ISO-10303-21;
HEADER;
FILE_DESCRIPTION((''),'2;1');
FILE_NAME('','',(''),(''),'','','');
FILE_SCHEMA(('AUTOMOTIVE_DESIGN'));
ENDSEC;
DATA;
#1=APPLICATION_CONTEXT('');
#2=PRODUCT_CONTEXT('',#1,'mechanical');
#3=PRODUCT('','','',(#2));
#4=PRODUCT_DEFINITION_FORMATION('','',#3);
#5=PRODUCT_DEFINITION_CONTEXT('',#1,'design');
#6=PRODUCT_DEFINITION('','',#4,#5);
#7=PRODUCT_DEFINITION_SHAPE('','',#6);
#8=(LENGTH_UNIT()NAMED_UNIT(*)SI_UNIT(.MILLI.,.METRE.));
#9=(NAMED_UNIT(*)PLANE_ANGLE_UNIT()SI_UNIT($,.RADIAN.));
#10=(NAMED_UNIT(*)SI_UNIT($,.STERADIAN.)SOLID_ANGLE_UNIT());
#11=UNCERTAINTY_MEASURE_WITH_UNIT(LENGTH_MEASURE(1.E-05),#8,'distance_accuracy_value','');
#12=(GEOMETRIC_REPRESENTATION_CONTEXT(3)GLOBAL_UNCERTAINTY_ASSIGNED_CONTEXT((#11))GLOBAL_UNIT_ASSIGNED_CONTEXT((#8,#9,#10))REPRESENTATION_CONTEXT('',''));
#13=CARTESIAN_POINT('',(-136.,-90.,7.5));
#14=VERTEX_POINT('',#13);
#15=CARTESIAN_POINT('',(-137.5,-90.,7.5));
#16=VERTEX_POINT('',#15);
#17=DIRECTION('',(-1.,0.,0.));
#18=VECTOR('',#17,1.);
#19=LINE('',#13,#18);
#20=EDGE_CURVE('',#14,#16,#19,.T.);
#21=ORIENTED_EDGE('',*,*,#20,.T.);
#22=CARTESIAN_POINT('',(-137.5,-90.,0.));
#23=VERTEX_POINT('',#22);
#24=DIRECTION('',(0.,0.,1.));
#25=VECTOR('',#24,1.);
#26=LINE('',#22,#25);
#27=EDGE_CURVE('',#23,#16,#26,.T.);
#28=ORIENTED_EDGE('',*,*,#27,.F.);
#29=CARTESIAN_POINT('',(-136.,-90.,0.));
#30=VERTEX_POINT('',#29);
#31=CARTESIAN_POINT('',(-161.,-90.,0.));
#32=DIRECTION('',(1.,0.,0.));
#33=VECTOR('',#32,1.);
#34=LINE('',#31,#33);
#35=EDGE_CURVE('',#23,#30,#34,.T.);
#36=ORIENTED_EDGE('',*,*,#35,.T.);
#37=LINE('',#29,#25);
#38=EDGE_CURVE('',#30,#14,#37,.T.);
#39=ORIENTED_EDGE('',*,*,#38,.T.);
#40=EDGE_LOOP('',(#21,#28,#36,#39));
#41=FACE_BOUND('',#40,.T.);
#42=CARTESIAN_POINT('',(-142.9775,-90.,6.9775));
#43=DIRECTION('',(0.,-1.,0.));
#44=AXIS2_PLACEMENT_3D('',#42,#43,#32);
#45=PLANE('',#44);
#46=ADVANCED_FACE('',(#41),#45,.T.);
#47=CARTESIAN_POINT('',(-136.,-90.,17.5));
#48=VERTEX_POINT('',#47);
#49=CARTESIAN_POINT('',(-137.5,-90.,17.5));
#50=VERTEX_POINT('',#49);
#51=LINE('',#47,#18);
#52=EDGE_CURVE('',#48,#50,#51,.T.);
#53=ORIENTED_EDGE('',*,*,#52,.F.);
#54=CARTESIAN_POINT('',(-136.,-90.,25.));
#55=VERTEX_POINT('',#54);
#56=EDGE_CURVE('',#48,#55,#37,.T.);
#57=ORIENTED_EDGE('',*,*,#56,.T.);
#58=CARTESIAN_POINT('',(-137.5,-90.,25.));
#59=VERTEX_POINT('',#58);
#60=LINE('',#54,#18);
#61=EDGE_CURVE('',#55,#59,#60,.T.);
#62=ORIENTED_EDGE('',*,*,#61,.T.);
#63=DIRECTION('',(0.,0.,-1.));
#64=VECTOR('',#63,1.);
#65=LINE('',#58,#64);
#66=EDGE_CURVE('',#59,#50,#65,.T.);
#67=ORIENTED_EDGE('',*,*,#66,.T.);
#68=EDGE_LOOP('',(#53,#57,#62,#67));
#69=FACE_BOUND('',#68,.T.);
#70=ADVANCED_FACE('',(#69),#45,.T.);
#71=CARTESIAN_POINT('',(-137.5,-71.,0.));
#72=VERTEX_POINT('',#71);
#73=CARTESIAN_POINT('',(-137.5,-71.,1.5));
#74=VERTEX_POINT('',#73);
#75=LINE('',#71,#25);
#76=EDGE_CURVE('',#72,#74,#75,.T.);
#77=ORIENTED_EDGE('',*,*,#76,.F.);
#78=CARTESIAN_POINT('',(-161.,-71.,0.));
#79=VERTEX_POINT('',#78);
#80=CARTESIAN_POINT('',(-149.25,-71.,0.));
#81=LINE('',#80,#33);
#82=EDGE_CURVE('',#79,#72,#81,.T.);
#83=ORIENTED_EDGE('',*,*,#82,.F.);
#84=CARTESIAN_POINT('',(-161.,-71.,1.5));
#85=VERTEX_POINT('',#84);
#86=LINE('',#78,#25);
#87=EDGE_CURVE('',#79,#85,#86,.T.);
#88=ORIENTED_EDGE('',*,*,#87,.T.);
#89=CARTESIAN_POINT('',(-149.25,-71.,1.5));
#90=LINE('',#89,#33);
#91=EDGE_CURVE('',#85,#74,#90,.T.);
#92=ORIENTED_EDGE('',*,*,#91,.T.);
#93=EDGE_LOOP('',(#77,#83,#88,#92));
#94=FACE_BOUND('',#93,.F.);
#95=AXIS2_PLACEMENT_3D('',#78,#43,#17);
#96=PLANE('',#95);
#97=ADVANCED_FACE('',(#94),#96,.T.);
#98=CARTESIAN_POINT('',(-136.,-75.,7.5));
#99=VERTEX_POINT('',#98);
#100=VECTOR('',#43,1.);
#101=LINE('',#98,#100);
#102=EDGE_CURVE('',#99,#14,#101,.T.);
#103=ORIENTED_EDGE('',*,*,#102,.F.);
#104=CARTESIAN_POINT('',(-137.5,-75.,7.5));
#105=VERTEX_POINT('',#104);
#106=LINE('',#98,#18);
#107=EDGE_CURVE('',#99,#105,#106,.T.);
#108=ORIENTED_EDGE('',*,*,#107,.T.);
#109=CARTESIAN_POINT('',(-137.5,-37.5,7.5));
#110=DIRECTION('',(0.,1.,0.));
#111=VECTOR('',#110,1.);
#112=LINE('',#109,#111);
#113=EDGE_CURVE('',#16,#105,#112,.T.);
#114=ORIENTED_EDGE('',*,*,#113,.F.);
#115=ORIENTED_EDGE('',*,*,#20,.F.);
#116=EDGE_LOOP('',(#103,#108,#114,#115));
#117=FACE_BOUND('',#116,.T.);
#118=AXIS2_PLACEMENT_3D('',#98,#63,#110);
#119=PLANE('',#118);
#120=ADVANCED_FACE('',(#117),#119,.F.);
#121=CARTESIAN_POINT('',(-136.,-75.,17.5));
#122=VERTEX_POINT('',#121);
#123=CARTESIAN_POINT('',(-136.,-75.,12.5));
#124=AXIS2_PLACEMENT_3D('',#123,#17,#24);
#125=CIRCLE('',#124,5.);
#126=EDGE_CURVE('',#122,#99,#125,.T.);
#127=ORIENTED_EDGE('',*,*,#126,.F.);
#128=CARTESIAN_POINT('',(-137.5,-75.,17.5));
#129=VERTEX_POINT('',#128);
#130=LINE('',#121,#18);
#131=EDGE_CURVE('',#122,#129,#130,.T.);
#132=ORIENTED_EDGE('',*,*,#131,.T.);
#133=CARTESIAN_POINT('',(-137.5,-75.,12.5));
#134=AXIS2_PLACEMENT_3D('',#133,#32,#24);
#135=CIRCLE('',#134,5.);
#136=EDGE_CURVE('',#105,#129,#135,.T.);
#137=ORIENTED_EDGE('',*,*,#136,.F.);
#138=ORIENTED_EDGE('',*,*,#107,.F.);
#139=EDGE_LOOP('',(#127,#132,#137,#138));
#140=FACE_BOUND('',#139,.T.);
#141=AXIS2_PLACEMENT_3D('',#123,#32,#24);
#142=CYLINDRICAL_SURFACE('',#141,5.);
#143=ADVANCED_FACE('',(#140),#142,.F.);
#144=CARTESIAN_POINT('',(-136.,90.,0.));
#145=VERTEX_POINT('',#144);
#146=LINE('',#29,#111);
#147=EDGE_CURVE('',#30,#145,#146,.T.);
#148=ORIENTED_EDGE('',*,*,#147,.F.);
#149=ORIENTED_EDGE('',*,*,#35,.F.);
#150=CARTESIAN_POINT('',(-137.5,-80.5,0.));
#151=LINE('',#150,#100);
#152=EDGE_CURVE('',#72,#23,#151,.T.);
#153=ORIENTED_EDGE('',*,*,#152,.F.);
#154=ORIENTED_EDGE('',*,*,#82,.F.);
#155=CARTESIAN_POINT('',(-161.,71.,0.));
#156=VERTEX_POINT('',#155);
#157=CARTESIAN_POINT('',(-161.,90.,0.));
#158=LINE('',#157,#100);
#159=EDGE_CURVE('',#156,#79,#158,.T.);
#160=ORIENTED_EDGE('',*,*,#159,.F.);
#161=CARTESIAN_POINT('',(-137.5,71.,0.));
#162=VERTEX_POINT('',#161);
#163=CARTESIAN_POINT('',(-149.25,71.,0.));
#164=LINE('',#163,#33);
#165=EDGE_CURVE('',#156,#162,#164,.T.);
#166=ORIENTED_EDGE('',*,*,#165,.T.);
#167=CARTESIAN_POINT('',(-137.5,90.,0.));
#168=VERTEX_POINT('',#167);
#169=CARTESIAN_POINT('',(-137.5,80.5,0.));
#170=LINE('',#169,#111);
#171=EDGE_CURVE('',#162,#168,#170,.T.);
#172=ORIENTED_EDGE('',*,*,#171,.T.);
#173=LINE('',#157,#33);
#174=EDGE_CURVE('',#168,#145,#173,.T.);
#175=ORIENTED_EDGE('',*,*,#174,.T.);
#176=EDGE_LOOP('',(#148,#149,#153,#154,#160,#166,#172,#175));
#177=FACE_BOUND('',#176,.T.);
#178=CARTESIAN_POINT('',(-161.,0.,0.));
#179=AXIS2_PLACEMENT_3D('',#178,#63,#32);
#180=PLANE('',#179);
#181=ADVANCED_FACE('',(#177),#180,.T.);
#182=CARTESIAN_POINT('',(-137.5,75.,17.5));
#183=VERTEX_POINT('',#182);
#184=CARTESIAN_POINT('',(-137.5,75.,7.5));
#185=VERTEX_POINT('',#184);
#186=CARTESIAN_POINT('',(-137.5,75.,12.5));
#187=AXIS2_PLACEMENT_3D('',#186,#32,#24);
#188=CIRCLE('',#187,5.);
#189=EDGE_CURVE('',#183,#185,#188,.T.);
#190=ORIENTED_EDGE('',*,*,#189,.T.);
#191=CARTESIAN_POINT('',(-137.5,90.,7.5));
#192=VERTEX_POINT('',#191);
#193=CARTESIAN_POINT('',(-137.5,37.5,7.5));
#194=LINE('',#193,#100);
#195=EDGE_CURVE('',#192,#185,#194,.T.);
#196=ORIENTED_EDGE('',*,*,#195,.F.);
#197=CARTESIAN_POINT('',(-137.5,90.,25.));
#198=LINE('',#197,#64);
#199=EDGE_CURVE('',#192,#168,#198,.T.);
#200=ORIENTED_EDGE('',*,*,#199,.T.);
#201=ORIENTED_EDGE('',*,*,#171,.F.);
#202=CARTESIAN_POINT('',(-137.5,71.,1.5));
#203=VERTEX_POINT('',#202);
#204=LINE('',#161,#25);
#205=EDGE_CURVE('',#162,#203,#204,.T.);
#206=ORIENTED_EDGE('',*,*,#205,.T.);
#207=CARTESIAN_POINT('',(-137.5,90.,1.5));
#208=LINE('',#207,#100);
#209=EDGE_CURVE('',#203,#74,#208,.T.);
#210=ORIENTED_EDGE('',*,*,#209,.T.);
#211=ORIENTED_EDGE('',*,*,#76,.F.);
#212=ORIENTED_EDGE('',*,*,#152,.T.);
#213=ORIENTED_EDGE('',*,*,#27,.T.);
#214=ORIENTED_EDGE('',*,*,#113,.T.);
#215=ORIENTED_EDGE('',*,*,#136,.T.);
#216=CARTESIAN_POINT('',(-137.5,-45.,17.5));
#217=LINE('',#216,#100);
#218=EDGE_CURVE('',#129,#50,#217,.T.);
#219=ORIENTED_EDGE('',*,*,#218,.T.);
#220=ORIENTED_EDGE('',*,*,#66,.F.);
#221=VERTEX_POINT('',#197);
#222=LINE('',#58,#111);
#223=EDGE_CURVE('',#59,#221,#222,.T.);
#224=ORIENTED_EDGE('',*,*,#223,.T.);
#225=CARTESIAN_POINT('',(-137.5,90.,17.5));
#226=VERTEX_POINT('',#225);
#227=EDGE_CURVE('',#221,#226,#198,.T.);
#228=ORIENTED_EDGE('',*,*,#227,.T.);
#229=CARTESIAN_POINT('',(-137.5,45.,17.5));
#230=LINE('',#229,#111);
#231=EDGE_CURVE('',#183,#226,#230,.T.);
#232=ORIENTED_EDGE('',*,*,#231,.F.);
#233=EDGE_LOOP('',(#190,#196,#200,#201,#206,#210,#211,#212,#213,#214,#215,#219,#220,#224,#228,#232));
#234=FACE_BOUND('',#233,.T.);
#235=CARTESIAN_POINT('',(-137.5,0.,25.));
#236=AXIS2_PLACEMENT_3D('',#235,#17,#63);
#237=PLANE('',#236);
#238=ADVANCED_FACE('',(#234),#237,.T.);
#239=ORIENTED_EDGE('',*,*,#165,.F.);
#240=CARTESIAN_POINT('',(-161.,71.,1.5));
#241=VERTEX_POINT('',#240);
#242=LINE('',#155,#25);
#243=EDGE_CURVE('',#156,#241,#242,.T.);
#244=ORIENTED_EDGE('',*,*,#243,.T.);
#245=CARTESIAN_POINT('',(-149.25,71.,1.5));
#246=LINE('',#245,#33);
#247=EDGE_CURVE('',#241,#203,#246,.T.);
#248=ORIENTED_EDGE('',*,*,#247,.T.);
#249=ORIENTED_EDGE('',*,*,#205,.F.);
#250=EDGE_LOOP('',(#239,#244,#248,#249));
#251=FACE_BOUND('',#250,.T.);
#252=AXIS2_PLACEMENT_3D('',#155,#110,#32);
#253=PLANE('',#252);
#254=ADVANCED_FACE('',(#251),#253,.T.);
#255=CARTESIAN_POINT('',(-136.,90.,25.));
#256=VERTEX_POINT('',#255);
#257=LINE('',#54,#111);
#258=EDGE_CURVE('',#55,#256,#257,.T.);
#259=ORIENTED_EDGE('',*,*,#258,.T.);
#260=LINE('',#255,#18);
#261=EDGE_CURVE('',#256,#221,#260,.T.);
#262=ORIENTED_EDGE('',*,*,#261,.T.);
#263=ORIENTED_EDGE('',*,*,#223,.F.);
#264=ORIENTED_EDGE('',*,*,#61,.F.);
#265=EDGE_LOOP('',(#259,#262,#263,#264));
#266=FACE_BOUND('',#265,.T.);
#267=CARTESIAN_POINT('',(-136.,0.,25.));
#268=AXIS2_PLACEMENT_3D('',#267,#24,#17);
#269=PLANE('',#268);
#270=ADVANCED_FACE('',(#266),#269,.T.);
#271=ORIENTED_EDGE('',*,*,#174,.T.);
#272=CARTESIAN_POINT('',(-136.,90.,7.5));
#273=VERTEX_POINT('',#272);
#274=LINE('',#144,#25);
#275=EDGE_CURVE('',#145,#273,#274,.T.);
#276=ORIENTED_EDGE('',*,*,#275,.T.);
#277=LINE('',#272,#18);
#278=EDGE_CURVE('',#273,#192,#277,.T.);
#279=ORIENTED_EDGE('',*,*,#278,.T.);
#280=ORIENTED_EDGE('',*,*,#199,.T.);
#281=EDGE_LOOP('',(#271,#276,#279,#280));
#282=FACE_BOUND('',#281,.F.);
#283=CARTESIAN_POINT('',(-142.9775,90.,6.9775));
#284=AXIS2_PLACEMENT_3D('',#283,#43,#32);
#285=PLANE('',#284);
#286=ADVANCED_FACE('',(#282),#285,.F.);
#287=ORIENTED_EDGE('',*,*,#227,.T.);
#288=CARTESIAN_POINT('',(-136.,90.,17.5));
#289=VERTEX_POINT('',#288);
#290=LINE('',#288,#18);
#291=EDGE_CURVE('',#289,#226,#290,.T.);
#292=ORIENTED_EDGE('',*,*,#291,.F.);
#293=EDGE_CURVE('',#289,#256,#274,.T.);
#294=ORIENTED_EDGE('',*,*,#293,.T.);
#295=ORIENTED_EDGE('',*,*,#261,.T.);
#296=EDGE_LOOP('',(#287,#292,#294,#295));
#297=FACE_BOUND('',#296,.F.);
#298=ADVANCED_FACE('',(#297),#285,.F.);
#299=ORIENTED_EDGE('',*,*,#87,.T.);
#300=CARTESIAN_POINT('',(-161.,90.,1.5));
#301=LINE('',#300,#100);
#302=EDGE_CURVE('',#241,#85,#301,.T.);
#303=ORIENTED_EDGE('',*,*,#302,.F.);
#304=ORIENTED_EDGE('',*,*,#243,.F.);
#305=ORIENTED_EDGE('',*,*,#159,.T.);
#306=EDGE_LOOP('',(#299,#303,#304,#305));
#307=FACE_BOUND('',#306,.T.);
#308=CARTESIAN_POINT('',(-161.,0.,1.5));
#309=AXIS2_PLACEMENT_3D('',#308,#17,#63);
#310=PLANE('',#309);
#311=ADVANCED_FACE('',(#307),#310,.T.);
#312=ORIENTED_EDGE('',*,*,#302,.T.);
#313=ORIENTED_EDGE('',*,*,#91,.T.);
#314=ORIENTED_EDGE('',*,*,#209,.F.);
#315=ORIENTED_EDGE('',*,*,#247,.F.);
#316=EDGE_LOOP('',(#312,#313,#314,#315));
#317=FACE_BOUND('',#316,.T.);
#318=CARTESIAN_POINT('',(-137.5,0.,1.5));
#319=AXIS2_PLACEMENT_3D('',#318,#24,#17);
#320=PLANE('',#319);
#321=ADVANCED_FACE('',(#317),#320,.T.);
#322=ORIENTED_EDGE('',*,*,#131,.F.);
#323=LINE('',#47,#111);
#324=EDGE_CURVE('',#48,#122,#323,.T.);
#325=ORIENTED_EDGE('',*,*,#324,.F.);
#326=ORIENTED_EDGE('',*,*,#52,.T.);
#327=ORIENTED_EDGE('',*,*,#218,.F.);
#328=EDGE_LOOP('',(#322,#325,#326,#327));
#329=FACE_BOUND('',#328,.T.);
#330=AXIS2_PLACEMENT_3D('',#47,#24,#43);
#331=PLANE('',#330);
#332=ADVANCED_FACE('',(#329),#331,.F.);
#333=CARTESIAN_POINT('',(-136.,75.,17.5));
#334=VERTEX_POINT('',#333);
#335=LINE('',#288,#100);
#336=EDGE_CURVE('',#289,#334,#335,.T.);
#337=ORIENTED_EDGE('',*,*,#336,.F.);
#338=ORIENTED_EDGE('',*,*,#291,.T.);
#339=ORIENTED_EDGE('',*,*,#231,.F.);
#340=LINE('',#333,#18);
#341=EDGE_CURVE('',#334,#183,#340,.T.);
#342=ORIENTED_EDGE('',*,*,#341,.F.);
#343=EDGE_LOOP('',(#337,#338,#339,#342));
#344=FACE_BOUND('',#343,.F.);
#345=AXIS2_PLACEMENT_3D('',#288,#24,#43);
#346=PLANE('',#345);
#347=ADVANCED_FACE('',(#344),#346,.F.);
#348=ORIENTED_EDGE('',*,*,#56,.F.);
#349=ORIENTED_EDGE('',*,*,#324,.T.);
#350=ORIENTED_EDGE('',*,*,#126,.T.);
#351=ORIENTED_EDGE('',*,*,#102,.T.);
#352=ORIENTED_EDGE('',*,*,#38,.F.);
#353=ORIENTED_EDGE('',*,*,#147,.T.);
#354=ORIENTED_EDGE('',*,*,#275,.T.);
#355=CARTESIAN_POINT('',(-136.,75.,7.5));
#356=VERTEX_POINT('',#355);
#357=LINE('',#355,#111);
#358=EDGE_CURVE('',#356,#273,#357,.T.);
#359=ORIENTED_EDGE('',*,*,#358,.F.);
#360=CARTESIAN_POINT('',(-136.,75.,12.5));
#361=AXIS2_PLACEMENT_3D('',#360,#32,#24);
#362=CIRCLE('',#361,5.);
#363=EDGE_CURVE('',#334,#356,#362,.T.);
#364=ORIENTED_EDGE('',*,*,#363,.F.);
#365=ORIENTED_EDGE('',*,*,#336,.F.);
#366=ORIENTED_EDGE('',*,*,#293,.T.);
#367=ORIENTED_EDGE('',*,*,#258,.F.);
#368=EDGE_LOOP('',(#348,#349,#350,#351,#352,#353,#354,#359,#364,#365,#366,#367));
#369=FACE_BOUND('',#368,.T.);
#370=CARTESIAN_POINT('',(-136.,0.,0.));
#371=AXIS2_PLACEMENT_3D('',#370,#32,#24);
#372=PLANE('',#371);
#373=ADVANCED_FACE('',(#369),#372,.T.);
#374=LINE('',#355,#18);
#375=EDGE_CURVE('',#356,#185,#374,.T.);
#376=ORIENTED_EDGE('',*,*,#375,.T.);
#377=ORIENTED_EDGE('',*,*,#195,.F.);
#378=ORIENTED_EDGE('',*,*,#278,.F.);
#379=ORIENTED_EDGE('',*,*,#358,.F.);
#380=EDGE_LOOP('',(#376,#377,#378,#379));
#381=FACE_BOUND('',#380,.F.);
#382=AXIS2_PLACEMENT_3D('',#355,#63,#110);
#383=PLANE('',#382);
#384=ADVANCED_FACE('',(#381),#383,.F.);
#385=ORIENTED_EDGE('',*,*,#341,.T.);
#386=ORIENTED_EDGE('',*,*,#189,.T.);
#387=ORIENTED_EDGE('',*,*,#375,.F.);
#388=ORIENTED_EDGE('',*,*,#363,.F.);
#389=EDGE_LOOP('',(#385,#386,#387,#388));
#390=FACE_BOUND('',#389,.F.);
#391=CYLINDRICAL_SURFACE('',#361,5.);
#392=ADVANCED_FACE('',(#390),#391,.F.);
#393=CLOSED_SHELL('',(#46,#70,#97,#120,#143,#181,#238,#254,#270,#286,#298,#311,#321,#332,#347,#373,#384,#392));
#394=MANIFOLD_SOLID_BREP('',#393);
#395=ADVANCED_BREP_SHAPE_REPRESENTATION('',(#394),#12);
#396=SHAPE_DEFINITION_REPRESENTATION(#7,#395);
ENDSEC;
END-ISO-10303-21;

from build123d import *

# Parameters (mm, degrees)
PAD040_DEPTH    = 90
SKETCH062_W     = 23.5
SKETCH062_H     = 19
POCKET016_DEPTH = 1.5
POCKET017_DEPTH = 5


with BuildPart() as part:
    # Sketch061 → Pad040 (new body, symmetric)
    with BuildSketch(Plane.XZ):
        Polygon((-1.5, 25), (-1.5, 1.5), (-25, 1.5), (-25, 0), (0, 0), (0, 25), align=None)
    extrude(amount=PAD040_DEPTH, both=True)

    # Sketch062 → Pocket016 (cut)
    with BuildSketch(Plane.XY):
        with Locations((-13.25, 80.5)):
            Rectangle(SKETCH062_W, SKETCH062_H)
    pocket016 = extrude(amount=POCKET016_DEPTH, mode=Mode.SUBTRACT)

    # Sketch063 → Pocket017 (cut)
    with BuildSketch(Plane.YZ):
        with BuildLine():
            ThreePointArc((75, 17.5), (70, 12.5), (75, 7.5))
            Line((75, 7.5), (90, 7.5))
            Line((90, 7.5), (90, 17.5))
            Line((90, 17.5), (75, 17.5))
        make_face()
    pocket017 = extrude(amount=-POCKET017_DEPTH, mode=Mode.SUBTRACT)

    # Mirrored018: Pocket017, Pocket016 across Sketch063 V_Axis
    add(pocket017.mirror(Plane(origin=(0, 0, 0), x_dir=(1, 0, 0), z_dir=(0, 1, 0))), mode=Mode.SUBTRACT)
    add(pocket016.mirror(Plane(origin=(0, 0, 0), x_dir=(1, 0, 0), z_dir=(0, 1, 0))), mode=Mode.SUBTRACT)


with BuildPart() as part_1:
    # Body031 placement: moved
    add(part.part.moved(Location((-136, 0, 0))))


solid = part_1.part
